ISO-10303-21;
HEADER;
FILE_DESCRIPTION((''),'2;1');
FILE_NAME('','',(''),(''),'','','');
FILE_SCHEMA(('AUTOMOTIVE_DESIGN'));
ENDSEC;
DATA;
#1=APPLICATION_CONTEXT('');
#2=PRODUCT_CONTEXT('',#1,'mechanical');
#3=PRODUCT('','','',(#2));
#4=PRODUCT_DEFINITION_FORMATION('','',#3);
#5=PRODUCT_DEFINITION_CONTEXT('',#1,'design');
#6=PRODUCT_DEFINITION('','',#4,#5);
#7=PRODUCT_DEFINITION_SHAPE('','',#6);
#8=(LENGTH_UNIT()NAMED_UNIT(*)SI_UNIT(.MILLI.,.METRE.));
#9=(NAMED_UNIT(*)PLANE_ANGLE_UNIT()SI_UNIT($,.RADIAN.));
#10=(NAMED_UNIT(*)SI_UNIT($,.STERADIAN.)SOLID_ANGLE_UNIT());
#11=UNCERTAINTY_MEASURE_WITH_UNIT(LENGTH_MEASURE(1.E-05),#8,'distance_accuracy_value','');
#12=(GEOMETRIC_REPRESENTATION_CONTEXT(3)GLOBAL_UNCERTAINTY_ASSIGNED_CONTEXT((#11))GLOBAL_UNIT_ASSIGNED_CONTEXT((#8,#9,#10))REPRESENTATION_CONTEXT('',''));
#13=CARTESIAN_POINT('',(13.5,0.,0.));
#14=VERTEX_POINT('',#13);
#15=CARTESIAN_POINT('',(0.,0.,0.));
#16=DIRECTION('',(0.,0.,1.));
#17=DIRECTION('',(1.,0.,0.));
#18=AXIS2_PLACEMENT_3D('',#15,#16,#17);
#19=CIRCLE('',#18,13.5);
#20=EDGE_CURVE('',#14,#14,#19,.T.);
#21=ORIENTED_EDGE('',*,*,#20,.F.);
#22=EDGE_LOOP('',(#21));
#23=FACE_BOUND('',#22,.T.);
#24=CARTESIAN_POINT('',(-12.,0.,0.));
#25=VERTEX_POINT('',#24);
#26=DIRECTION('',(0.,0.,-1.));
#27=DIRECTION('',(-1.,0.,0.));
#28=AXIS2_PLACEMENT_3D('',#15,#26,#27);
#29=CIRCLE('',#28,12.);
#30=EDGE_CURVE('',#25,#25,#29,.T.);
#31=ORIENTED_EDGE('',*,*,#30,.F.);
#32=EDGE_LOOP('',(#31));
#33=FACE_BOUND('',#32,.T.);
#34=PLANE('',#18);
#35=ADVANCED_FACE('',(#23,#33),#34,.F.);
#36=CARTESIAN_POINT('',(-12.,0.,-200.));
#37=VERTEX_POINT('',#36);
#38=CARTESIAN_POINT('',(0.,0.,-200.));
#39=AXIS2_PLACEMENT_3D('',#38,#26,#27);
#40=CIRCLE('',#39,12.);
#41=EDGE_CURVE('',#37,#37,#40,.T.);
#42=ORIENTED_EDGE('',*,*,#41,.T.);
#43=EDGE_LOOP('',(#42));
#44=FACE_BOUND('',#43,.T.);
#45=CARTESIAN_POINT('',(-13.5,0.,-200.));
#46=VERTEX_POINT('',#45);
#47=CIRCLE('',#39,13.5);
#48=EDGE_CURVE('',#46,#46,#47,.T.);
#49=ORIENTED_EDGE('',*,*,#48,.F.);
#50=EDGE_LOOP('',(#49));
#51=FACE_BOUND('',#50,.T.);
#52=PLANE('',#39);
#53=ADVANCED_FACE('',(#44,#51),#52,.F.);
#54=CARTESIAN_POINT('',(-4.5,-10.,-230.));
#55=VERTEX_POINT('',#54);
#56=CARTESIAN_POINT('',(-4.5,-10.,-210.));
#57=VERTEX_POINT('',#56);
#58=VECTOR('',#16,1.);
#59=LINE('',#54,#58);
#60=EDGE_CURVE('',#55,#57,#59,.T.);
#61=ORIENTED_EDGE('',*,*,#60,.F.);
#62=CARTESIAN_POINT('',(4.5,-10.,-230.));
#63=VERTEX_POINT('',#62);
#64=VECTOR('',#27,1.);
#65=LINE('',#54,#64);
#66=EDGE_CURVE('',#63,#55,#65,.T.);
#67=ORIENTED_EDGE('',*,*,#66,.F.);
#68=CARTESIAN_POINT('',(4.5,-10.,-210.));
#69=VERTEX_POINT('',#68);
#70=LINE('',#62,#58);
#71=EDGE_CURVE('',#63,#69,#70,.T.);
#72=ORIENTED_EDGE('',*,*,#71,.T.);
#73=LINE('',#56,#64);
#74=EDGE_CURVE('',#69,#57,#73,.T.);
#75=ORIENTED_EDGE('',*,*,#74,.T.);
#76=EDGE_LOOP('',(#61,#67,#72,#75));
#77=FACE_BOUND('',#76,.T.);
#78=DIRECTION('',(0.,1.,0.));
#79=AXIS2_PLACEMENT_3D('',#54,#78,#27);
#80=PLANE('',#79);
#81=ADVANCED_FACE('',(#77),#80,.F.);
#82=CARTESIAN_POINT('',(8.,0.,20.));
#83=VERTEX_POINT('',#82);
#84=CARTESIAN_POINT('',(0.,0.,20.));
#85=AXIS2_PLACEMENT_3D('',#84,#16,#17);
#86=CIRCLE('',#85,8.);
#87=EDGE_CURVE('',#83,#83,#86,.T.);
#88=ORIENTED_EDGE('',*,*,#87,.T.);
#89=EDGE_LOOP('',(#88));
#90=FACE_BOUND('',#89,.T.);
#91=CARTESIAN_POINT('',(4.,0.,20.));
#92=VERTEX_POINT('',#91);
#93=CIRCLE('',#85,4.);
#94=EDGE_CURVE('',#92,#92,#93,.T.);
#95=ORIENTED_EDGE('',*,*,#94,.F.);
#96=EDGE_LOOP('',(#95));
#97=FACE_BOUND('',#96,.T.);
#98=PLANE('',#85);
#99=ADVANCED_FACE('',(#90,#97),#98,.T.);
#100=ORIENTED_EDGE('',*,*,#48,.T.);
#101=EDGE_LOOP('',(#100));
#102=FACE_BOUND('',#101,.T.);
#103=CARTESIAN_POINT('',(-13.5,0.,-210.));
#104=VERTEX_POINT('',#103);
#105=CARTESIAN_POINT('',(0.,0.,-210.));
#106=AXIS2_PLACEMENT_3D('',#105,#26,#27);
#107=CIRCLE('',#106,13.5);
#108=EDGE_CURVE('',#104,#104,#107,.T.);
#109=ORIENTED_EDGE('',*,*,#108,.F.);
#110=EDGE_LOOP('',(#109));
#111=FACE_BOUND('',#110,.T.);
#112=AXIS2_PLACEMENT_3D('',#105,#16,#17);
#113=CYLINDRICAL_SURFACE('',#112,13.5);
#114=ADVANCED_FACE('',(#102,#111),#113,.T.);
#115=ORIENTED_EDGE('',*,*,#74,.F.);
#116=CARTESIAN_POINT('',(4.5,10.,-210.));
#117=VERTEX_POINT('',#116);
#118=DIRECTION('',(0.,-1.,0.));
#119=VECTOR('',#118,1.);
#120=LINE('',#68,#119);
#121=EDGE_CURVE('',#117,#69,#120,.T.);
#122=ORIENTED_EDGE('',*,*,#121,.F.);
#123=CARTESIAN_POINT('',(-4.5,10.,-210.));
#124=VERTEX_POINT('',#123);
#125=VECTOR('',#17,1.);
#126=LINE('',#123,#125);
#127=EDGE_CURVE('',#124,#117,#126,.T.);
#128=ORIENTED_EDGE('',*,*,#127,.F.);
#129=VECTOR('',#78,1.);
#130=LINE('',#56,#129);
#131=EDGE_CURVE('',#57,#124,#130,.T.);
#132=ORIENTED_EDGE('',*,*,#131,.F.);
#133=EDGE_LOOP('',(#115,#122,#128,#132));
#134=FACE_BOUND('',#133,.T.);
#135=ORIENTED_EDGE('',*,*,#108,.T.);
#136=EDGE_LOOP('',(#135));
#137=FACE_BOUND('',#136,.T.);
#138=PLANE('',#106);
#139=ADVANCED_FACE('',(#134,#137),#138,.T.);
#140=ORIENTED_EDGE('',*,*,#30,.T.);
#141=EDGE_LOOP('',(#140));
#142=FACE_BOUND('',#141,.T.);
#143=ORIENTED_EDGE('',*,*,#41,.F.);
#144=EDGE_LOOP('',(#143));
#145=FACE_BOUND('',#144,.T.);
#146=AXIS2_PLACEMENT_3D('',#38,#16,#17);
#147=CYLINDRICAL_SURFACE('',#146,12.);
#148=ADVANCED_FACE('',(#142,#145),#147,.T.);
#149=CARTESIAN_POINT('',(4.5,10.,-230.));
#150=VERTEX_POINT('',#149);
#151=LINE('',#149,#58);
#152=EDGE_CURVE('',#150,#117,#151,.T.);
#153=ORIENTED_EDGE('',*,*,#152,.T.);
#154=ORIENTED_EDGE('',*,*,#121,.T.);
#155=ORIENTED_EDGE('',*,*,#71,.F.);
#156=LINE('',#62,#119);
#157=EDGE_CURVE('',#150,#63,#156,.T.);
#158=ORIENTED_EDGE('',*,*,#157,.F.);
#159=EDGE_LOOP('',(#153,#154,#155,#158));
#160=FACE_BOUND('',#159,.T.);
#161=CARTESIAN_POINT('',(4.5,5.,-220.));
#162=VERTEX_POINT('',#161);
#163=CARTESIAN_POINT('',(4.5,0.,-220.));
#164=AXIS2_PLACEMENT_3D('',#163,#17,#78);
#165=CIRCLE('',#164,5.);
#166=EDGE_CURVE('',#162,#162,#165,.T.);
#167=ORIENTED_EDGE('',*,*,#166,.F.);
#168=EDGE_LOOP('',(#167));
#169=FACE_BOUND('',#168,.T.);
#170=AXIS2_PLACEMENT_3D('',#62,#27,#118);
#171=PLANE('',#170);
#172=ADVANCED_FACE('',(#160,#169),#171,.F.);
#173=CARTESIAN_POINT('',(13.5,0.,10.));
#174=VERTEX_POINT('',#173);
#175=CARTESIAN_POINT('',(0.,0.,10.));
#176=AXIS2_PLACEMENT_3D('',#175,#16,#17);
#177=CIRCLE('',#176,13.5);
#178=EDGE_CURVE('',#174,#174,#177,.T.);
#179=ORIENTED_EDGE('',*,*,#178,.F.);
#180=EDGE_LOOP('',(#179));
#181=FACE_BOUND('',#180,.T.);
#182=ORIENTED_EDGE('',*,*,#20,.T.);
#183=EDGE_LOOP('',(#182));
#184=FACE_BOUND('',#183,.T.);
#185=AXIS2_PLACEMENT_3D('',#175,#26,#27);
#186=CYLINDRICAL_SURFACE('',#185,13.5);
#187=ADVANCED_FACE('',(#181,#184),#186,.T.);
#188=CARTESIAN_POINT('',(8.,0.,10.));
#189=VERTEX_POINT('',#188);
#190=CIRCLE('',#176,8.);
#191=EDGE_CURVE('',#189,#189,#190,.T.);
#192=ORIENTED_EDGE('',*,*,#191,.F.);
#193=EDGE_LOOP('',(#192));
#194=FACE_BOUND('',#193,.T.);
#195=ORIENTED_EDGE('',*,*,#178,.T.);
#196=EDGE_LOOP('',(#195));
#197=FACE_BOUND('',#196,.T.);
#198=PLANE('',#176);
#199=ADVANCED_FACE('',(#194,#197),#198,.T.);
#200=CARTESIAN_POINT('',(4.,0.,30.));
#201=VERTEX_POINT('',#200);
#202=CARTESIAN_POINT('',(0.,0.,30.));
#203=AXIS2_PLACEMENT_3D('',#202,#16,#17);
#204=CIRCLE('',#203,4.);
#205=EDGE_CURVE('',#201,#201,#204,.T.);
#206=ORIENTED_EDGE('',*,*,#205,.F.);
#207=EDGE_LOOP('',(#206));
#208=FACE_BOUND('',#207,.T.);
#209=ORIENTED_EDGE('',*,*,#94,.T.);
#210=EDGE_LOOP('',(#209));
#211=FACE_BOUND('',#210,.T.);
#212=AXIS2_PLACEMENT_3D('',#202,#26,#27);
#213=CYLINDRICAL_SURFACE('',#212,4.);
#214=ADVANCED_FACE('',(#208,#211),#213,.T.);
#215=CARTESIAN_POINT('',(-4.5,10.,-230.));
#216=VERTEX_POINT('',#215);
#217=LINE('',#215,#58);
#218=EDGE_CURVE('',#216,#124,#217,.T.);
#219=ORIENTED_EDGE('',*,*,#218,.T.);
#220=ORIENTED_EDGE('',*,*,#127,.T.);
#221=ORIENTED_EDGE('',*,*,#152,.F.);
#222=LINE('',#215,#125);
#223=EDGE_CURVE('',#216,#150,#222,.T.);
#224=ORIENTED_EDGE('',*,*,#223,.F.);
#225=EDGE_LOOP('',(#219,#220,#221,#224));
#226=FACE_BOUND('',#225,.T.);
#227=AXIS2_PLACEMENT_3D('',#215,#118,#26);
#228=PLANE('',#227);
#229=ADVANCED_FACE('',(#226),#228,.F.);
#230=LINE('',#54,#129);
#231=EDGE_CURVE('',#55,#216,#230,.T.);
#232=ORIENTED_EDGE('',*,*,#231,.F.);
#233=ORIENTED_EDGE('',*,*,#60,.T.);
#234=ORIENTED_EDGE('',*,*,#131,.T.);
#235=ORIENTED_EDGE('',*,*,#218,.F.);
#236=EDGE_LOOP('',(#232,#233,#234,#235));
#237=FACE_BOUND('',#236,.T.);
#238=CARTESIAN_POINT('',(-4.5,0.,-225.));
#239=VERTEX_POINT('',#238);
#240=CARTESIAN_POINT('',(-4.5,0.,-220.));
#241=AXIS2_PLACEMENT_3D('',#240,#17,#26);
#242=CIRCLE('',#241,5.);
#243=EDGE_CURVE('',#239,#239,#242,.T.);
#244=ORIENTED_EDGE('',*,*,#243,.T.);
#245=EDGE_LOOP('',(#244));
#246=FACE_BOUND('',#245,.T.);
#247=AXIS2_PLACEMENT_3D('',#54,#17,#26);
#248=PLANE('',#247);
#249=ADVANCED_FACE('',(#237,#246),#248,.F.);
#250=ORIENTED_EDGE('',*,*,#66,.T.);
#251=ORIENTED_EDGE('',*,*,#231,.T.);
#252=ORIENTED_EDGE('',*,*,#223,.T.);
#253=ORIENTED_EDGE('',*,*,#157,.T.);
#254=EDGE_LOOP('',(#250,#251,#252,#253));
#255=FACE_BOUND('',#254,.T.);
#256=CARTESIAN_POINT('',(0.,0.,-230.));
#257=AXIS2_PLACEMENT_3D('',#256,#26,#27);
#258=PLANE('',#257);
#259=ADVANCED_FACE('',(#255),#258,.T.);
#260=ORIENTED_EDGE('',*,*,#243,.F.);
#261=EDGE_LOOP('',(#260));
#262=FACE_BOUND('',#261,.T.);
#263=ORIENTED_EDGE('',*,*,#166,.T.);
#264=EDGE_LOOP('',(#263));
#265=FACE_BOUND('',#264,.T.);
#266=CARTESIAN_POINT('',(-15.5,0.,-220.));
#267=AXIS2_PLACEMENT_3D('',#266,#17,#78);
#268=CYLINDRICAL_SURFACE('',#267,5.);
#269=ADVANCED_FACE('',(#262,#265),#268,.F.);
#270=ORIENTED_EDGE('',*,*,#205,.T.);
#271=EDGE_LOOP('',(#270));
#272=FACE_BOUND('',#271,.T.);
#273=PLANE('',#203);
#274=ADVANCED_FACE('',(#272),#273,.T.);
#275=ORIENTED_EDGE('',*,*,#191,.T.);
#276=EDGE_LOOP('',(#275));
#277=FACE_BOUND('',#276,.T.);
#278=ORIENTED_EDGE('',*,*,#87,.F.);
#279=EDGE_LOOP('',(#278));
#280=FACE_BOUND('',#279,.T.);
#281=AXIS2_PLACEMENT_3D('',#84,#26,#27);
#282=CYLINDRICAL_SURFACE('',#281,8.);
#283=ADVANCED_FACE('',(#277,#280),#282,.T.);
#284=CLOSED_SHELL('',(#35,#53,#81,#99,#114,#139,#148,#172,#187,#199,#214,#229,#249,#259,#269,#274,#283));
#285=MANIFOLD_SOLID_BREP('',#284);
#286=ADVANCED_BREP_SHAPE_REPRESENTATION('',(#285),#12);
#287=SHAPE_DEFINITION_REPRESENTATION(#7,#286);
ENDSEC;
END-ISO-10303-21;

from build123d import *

# Parameters (mm, degrees)
SKETCH1_R           = 13.5
BOSS_EXTRUDE1_DEPTH = 10
SKETCH2_R           = 8
BOSS_EXTRUDE2_DEPTH = 10
SKETCH3_R           = 12
BOSS_EXTRUDE3_DEPTH = 200
BOSS_EXTRUDE4_START = 10
SKETCH4_R           = 13.5
BOSS_EXTRUDE4_DEPTH = 10
SKETCH5_W           = 9
SKETCH5_H           = 20
BOSS_EXTRUDE5_DEPTH = 20
SKETCH6_R           = 5
CUT_EXTRUDE1_DEPTH  = 20
SKETCH8_R           = 4
BOSS_EXTRUDE6_DEPTH = 10


with BuildPart() as part:
    # Sketch1 → Boss-Extrude1 (new body)
    with BuildSketch(Plane.XY):
        Circle(SKETCH1_R)
    extrude(amount=BOSS_EXTRUDE1_DEPTH)

    # Sketch2 → Boss-Extrude2 (add)
    with BuildSketch(Plane.XY.offset(10)):
        Circle(SKETCH2_R)
    extrude(amount=BOSS_EXTRUDE2_DEPTH)

    # Sketch3 → Boss-Extrude3 (add)
    with BuildSketch(Plane(origin=(0, 0, 0), x_dir=(-1, 0, 0), z_dir=(0, 0, -1))):
        Circle(SKETCH3_R)
    extrude(amount=BOSS_EXTRUDE3_DEPTH)

    # Sketch4 → Boss-Extrude4 (add)
    with BuildSketch(Plane(origin=(0, 0, -200), x_dir=(-1, 0, 0), z_dir=(0, 0, -1)).offset(BOSS_EXTRUDE4_START)):
        with Locations(Location((0, 0, 0), (0, 0, 180))):
            Circle(SKETCH4_R)
    extrude(amount=-BOSS_EXTRUDE4_DEPTH)

    # Sketch5 → Boss-Extrude5 (add)
    with BuildSketch(Plane(origin=(0, 0, -210), x_dir=(-1, 0, 0), z_dir=(0, 0, -1))):
        Rectangle(SKETCH5_W, SKETCH5_H)
    extrude(amount=BOSS_EXTRUDE5_DEPTH)

    # Sketch6 → Cut-Extrude1 (cut)
    with BuildSketch(Plane(origin=(4.5, 0, 0), x_dir=(0, 0, -1), z_dir=(1, 0, 0))):
        with Locations(Location((220, 0, 0), (0, 0, 90))):
            Circle(SKETCH6_R)
    extrude(amount=-CUT_EXTRUDE1_DEPTH, mode=Mode.SUBTRACT)

    # Sketch8 → Boss-Extrude6 (add)
    with BuildSketch(Plane.XY.offset(20)):
        Circle(SKETCH8_R)
    extrude(amount=BOSS_EXTRUDE6_DEPTH)


solid = part.part
